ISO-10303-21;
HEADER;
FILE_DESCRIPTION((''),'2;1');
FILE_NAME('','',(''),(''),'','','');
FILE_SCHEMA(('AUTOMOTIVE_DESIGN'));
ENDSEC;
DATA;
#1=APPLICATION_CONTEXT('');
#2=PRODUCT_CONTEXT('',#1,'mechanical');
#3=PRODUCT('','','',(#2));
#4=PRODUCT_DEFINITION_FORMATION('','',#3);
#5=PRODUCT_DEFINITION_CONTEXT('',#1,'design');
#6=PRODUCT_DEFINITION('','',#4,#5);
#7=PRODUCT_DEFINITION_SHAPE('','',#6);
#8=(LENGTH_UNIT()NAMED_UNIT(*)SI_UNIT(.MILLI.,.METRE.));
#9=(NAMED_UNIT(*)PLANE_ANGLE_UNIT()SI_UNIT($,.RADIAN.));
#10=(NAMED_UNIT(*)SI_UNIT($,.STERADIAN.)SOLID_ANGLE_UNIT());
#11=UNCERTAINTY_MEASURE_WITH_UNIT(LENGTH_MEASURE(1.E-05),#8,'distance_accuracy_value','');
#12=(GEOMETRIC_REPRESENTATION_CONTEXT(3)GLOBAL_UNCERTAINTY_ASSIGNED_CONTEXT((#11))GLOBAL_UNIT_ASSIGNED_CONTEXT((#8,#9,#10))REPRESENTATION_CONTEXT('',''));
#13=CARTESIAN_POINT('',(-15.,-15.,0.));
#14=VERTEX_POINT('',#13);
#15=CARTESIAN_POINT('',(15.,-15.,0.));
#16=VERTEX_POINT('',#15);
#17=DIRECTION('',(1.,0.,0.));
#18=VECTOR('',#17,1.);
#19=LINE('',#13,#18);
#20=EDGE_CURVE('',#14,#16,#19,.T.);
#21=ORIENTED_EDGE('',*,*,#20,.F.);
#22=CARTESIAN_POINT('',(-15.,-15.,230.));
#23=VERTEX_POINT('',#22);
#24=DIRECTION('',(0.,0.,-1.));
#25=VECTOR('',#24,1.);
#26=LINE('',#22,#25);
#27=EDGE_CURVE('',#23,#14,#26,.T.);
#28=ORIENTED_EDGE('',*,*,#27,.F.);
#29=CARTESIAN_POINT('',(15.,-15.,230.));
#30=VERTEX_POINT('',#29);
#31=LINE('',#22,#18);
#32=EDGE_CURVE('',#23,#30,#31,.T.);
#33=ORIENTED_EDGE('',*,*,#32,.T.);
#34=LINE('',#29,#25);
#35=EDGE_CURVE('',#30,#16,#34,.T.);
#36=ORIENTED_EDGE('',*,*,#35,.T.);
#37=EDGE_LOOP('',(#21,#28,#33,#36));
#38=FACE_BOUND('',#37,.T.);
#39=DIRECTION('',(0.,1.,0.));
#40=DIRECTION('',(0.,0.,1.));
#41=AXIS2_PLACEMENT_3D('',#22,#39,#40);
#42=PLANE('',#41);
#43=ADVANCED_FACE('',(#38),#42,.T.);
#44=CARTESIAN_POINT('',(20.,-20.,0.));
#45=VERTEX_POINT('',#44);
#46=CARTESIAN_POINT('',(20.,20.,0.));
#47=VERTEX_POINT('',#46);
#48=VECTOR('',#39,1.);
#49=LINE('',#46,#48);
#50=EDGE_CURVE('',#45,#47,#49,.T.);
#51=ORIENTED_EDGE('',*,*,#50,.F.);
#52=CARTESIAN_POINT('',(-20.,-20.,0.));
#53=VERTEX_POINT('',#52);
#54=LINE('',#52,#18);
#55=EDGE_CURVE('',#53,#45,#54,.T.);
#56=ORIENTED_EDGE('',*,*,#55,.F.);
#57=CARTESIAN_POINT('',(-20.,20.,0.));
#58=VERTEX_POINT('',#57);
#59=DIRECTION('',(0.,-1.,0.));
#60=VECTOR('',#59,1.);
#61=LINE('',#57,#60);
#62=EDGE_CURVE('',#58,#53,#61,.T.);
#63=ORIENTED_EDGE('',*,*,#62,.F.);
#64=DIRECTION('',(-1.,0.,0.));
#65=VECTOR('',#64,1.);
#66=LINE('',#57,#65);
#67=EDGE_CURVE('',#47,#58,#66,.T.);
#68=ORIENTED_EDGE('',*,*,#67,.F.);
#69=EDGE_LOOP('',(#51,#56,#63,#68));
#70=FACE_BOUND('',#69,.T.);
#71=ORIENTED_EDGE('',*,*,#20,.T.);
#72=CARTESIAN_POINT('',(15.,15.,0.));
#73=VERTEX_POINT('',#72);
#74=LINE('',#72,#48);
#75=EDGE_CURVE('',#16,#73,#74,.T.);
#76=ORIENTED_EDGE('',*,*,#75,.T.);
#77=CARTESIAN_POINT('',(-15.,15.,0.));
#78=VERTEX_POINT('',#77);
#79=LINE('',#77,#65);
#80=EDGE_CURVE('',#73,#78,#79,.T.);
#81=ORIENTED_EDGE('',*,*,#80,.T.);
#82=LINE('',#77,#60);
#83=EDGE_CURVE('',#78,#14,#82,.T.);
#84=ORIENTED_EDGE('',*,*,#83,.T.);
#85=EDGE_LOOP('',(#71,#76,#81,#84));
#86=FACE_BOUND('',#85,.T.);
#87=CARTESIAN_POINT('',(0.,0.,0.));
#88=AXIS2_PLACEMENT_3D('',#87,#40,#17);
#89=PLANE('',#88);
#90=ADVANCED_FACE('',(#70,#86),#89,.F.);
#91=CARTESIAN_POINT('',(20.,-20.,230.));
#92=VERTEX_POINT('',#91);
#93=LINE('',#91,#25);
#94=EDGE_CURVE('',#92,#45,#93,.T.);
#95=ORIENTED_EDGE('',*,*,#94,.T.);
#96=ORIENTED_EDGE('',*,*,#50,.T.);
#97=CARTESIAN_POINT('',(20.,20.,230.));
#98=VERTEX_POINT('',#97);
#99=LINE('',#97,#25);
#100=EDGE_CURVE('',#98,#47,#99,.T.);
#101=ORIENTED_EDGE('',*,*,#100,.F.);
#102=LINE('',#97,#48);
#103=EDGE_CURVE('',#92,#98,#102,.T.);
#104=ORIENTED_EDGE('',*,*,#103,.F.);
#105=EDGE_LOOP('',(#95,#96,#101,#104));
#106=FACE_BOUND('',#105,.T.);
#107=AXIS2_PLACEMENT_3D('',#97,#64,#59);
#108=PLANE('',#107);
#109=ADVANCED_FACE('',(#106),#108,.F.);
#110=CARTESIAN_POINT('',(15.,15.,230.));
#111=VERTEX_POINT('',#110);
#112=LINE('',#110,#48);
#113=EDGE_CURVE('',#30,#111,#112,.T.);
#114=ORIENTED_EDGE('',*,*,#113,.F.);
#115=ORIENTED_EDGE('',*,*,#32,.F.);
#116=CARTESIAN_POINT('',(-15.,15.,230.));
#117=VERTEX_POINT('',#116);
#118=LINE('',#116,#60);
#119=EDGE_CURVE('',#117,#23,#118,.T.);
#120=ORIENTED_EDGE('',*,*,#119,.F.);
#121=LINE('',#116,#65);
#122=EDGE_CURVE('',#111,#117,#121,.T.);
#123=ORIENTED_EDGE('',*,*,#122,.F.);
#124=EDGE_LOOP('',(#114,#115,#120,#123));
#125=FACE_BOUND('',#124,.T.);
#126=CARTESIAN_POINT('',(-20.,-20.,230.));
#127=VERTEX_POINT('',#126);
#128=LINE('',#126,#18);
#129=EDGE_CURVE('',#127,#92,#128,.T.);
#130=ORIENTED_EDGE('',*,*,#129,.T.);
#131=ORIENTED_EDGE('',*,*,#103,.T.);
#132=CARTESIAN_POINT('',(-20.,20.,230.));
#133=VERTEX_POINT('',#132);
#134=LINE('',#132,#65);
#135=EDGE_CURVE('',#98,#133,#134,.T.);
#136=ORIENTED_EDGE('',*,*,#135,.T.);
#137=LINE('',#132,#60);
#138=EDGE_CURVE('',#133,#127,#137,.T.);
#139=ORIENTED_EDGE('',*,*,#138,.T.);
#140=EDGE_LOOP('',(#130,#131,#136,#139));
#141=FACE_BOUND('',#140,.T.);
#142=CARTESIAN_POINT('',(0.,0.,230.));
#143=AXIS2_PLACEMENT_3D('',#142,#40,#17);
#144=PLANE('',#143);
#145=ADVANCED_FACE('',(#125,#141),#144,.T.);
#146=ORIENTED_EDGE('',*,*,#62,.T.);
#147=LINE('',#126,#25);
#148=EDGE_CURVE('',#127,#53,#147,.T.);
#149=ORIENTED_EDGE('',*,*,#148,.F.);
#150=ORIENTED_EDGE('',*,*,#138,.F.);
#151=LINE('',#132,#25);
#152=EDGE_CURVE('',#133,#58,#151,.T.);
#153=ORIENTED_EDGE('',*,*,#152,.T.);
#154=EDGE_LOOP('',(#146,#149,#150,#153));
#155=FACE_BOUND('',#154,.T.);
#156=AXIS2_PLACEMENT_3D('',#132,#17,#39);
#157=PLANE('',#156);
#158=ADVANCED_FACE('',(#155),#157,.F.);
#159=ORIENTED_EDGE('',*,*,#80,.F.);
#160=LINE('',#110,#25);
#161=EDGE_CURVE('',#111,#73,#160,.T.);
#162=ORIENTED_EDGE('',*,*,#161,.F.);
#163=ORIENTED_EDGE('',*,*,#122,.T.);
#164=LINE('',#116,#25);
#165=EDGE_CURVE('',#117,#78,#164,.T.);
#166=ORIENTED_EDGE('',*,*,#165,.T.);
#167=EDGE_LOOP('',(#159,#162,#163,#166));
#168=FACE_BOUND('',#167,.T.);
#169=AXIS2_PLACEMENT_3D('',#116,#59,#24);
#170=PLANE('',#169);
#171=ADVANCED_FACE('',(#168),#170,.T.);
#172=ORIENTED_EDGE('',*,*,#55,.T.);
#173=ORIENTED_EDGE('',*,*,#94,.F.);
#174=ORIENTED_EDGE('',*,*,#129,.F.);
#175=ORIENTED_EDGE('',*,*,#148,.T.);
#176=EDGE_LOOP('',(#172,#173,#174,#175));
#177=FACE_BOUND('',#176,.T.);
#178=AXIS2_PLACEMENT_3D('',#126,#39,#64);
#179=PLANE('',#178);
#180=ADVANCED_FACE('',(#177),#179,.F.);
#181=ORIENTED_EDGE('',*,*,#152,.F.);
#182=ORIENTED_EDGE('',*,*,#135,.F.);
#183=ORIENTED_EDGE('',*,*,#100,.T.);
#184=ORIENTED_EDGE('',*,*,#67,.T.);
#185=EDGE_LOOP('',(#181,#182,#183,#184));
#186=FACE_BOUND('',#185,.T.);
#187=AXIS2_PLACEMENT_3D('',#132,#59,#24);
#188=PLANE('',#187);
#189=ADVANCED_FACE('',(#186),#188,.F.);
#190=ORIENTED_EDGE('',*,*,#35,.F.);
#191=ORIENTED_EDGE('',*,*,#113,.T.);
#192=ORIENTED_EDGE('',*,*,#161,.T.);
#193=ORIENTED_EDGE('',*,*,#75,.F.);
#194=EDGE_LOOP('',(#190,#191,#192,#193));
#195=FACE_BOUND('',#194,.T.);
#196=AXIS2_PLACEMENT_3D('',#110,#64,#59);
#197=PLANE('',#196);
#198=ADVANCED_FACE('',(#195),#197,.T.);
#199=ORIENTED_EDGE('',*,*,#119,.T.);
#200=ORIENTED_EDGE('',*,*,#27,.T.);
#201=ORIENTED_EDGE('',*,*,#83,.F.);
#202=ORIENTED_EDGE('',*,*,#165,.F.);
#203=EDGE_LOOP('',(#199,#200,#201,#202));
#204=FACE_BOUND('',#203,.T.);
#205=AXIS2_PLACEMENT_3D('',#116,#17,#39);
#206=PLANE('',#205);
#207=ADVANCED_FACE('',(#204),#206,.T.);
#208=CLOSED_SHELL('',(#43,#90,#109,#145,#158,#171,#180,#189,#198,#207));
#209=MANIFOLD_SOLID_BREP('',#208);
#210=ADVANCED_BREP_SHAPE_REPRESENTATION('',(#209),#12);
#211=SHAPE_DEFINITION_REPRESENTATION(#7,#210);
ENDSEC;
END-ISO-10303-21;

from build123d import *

# Parameters (mm, degrees)
SKETCH1_W           = 40
SKETCH1_H           = 40
SKETCH1_W_2         = 30
SKETCH1_H_2         = 30
BOSS_EXTRUDE5_DEPTH = 230


with BuildPart() as part:
    # Sketch1 → Boss-Extrude5 (new body)
    with BuildSketch(Plane.XY):
        Rectangle(SKETCH1_W, SKETCH1_H)
        Rectangle(SKETCH1_W_2, SKETCH1_H_2, mode=Mode.SUBTRACT)
    extrude(amount=BOSS_EXTRUDE5_DEPTH)


solid = part.part
